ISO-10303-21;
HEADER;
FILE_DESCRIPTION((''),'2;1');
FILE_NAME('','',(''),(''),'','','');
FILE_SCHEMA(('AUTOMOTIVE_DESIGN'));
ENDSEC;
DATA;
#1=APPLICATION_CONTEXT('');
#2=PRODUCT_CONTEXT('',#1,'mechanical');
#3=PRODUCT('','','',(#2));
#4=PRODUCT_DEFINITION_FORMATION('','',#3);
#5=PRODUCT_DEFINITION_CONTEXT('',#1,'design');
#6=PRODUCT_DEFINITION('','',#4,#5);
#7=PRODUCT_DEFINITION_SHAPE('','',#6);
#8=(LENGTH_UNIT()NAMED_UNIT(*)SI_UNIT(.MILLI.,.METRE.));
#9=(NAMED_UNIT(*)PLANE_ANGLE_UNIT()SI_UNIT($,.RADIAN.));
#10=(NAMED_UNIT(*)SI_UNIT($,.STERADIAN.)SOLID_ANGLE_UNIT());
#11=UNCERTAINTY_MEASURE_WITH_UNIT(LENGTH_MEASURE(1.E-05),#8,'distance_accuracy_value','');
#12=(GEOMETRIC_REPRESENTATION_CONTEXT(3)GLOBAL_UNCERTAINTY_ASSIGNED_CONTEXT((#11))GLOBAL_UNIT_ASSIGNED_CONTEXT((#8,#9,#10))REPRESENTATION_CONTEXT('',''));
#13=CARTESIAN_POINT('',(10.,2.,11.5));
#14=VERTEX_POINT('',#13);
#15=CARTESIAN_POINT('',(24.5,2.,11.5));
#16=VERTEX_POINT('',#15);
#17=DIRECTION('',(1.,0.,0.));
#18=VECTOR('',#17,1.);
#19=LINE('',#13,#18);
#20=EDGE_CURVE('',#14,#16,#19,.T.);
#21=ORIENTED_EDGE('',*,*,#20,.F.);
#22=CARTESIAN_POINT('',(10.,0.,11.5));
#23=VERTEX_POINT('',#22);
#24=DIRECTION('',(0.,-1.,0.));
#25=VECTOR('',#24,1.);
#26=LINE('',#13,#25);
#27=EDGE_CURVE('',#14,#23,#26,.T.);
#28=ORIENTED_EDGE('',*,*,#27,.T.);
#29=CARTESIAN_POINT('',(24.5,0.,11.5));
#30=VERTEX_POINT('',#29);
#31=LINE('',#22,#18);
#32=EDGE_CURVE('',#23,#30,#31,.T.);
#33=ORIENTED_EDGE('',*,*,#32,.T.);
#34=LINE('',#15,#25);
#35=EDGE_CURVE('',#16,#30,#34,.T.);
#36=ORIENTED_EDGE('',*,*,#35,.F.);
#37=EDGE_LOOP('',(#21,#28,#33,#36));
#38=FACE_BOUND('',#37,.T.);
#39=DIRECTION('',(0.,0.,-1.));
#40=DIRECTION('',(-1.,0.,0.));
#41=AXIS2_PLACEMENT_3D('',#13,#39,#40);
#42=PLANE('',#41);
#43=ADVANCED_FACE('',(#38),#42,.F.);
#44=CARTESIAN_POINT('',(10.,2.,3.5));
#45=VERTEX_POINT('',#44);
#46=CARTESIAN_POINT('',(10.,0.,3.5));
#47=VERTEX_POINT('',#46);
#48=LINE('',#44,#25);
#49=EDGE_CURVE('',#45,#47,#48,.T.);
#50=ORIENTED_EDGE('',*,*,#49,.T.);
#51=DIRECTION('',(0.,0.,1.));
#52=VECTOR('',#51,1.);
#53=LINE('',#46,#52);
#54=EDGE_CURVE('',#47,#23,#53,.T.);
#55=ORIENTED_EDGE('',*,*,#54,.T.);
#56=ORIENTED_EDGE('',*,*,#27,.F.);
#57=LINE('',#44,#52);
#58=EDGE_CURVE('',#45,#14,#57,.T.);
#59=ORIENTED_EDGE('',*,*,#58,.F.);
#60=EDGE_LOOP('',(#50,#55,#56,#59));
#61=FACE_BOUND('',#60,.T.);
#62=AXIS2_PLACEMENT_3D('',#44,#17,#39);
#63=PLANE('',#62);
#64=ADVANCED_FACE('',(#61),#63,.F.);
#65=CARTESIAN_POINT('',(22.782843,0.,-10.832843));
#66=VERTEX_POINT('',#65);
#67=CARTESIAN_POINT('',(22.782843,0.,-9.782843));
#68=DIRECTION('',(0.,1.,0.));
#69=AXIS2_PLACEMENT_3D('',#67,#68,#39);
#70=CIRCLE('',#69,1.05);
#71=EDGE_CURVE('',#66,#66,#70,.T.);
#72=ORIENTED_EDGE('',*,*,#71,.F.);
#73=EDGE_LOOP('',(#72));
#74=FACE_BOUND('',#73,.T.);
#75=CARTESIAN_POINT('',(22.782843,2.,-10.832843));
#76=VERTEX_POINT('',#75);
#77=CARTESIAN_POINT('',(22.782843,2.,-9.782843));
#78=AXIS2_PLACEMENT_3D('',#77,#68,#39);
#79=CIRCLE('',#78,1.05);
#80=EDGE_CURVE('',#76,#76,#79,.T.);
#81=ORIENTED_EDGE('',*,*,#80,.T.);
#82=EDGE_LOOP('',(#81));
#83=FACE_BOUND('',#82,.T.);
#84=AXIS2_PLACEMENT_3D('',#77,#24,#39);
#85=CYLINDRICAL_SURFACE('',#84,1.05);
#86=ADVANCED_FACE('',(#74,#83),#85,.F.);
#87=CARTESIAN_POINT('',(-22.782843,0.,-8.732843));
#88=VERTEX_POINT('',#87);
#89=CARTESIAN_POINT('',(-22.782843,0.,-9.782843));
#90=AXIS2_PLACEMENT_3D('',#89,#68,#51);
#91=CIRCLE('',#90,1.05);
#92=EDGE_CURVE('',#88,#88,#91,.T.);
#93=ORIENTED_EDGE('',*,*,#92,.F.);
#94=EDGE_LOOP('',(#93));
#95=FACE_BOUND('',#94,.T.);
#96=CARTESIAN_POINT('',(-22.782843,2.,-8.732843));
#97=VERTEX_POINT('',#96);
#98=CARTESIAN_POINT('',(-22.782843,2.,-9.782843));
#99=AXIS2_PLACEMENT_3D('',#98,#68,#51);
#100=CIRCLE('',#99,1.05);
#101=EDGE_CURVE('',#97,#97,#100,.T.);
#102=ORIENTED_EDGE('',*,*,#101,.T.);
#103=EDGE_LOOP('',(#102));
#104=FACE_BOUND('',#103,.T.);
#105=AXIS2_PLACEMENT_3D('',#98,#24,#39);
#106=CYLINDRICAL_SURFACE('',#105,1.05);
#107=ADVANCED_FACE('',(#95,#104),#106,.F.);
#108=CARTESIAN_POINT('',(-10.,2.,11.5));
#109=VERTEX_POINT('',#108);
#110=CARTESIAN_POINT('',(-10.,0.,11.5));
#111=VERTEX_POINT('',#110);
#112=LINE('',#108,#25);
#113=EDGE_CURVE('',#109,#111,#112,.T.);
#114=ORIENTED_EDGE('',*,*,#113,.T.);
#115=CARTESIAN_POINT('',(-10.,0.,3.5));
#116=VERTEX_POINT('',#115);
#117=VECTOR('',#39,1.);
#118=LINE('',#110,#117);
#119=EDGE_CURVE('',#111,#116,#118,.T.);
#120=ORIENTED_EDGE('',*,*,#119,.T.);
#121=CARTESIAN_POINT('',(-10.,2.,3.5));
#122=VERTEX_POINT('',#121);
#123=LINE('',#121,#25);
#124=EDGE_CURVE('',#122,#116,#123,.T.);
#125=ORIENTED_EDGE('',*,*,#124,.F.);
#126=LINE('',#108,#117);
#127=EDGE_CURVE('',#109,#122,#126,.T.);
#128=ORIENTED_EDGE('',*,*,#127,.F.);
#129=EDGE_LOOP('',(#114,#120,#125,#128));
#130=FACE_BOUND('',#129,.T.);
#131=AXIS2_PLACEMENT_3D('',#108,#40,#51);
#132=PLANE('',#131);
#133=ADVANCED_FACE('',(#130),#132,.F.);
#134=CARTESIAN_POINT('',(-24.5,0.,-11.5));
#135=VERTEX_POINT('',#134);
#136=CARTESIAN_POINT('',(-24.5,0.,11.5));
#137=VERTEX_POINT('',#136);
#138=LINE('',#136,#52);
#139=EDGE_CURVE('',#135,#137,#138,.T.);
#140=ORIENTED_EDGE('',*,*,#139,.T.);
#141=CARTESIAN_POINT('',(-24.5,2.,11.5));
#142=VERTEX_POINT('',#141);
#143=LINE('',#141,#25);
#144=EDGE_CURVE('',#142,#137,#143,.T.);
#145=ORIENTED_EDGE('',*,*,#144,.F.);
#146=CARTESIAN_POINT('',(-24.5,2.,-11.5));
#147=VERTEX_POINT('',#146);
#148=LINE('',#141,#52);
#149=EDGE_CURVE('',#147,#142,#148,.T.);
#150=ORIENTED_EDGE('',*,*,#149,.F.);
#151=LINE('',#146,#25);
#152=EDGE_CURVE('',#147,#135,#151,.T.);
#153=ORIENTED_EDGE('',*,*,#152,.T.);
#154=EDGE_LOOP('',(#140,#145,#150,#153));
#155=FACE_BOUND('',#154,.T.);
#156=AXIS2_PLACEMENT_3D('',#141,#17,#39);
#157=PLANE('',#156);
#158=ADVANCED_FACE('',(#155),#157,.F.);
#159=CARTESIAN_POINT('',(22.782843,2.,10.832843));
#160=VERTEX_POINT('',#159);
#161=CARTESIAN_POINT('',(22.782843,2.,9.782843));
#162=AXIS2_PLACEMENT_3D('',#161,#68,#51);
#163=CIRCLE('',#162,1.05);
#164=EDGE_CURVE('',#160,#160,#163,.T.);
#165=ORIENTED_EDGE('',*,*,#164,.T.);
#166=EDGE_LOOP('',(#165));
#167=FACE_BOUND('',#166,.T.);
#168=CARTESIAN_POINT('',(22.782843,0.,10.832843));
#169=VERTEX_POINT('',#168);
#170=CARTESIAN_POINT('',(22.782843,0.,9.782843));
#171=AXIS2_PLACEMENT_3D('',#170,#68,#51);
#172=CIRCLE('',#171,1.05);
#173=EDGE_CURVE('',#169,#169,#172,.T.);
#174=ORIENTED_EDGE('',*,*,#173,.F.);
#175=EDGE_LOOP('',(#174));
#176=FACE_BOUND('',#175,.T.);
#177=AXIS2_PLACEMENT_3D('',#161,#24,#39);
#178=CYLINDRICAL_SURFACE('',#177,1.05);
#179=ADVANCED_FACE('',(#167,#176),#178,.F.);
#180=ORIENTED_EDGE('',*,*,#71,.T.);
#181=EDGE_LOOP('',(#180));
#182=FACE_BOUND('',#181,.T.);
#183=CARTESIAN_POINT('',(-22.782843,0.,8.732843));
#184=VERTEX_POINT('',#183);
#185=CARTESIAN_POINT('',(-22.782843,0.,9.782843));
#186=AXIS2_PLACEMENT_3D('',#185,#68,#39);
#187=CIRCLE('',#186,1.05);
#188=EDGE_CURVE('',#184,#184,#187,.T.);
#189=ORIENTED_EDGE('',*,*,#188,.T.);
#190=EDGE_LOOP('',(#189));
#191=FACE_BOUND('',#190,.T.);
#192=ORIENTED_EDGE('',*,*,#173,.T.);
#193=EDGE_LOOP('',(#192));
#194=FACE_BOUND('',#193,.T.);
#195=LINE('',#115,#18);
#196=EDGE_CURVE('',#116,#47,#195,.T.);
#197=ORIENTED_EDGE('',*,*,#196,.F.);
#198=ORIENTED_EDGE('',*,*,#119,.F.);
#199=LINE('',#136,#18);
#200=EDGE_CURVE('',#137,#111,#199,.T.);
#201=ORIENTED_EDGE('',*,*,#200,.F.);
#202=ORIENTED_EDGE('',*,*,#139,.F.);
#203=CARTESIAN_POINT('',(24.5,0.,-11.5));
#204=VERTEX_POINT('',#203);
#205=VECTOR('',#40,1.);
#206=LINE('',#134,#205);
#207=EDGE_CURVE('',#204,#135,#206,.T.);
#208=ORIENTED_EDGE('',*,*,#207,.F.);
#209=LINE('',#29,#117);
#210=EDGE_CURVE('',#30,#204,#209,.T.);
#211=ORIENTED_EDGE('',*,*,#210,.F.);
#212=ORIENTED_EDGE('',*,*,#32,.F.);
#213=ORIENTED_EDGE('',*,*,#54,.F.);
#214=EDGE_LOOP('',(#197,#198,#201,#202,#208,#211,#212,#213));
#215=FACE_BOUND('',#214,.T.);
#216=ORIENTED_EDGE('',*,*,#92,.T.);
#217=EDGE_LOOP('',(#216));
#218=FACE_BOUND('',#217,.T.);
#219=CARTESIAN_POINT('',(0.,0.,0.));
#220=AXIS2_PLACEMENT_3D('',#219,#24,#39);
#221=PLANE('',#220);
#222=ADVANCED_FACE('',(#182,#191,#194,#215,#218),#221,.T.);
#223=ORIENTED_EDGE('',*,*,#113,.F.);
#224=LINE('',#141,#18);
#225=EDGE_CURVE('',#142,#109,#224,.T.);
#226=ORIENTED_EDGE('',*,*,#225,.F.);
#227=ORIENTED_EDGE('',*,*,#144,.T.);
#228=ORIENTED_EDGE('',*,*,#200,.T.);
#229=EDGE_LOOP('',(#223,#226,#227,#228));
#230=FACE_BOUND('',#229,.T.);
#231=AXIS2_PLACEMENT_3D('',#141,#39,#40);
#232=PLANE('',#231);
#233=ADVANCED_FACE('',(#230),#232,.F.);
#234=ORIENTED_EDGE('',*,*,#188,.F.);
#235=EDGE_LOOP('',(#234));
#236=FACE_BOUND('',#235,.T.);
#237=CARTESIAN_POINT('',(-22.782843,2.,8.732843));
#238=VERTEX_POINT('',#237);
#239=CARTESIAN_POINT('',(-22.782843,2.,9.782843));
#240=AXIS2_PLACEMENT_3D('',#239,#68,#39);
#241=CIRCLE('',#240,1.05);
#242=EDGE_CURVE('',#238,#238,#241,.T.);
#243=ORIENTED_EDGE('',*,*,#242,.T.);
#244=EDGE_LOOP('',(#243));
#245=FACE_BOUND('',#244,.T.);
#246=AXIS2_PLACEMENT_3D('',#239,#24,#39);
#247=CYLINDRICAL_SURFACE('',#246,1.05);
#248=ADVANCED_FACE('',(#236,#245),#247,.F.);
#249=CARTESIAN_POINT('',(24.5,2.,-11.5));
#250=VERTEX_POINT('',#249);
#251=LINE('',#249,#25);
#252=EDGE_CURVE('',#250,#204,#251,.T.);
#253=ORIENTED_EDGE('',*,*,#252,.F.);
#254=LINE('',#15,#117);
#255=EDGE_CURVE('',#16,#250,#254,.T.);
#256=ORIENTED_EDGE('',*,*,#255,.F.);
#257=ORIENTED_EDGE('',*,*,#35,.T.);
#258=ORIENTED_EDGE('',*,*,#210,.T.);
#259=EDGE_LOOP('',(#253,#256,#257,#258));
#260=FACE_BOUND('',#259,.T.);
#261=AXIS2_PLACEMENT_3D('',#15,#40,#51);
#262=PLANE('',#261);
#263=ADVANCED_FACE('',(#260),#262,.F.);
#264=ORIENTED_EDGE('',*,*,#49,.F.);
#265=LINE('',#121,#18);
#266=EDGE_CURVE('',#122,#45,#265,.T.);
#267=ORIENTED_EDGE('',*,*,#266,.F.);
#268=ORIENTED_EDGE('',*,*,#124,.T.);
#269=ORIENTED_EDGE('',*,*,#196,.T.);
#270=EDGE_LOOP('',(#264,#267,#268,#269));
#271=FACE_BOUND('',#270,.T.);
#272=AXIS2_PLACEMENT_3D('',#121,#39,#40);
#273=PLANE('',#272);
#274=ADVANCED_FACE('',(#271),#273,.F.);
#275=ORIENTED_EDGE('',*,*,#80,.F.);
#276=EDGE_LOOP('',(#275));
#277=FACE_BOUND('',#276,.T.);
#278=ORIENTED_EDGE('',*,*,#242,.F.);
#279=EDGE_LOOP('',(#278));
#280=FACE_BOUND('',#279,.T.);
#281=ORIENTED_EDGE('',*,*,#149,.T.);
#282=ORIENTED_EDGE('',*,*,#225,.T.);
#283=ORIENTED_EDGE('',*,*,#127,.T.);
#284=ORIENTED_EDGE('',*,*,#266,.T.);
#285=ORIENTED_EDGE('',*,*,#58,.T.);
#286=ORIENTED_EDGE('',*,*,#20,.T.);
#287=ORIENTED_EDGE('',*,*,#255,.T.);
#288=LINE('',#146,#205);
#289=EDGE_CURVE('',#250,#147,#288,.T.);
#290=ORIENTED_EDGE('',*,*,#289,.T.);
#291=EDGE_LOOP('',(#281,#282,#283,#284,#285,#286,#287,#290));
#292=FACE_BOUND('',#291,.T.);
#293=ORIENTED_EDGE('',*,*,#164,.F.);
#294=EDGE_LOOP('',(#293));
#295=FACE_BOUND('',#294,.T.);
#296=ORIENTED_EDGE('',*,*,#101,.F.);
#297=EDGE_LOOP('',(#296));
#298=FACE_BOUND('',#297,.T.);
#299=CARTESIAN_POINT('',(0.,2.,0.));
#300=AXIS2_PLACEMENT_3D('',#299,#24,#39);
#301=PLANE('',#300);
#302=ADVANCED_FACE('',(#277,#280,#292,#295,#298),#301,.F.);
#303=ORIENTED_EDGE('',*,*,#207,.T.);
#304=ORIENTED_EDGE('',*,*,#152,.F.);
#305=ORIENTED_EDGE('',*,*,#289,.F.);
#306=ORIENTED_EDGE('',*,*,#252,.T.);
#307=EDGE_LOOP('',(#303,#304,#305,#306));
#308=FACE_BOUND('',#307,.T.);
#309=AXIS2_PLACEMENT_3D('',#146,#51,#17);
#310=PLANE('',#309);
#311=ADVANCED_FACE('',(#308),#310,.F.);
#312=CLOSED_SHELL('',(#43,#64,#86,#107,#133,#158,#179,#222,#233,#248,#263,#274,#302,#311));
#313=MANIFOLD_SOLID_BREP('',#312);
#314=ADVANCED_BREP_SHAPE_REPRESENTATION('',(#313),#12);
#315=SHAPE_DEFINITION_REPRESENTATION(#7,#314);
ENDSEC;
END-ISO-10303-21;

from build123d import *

# Parameters (mm, degrees)
SKETCH_1_R      = 1.05
EXTRUDE_1_DEPTH = 2


with BuildPart() as part:
    # 草图1 → 凸台-拉伸1 (new body)
    with BuildSketch(Plane(origin=(0, 0, 0), x_dir=(1, 0, 0), z_dir=(0, 1, 0))):
        Polygon((-24.5, -11.5), (-10, -11.5), (-10, -3.5), (10, -3.5), (10, -11.5), (24.5, -11.5), (24.5, 11.5), (-24.5, 11.5), align=None)
        with Locations(Location((-22.782842712, 9.782842712, 0), (0, 0, 270))):
            Circle(SKETCH_1_R, mode=Mode.SUBTRACT)
        with Locations(Location((22.782842712, 9.782842712, 0), (0, 0, 90))):
            Circle(SKETCH_1_R, mode=Mode.SUBTRACT)
        with Locations(Location((22.782842712, -9.782842712, 0), (0, 0, 270))):
            Circle(SKETCH_1_R, mode=Mode.SUBTRACT)
        with Locations(Location((-22.782842712, -9.782842712, 0), (0, 0, 90))):
            Circle(SKETCH_1_R, mode=Mode.SUBTRACT)
    extrude(amount=EXTRUDE_1_DEPTH)


solid = part.part
